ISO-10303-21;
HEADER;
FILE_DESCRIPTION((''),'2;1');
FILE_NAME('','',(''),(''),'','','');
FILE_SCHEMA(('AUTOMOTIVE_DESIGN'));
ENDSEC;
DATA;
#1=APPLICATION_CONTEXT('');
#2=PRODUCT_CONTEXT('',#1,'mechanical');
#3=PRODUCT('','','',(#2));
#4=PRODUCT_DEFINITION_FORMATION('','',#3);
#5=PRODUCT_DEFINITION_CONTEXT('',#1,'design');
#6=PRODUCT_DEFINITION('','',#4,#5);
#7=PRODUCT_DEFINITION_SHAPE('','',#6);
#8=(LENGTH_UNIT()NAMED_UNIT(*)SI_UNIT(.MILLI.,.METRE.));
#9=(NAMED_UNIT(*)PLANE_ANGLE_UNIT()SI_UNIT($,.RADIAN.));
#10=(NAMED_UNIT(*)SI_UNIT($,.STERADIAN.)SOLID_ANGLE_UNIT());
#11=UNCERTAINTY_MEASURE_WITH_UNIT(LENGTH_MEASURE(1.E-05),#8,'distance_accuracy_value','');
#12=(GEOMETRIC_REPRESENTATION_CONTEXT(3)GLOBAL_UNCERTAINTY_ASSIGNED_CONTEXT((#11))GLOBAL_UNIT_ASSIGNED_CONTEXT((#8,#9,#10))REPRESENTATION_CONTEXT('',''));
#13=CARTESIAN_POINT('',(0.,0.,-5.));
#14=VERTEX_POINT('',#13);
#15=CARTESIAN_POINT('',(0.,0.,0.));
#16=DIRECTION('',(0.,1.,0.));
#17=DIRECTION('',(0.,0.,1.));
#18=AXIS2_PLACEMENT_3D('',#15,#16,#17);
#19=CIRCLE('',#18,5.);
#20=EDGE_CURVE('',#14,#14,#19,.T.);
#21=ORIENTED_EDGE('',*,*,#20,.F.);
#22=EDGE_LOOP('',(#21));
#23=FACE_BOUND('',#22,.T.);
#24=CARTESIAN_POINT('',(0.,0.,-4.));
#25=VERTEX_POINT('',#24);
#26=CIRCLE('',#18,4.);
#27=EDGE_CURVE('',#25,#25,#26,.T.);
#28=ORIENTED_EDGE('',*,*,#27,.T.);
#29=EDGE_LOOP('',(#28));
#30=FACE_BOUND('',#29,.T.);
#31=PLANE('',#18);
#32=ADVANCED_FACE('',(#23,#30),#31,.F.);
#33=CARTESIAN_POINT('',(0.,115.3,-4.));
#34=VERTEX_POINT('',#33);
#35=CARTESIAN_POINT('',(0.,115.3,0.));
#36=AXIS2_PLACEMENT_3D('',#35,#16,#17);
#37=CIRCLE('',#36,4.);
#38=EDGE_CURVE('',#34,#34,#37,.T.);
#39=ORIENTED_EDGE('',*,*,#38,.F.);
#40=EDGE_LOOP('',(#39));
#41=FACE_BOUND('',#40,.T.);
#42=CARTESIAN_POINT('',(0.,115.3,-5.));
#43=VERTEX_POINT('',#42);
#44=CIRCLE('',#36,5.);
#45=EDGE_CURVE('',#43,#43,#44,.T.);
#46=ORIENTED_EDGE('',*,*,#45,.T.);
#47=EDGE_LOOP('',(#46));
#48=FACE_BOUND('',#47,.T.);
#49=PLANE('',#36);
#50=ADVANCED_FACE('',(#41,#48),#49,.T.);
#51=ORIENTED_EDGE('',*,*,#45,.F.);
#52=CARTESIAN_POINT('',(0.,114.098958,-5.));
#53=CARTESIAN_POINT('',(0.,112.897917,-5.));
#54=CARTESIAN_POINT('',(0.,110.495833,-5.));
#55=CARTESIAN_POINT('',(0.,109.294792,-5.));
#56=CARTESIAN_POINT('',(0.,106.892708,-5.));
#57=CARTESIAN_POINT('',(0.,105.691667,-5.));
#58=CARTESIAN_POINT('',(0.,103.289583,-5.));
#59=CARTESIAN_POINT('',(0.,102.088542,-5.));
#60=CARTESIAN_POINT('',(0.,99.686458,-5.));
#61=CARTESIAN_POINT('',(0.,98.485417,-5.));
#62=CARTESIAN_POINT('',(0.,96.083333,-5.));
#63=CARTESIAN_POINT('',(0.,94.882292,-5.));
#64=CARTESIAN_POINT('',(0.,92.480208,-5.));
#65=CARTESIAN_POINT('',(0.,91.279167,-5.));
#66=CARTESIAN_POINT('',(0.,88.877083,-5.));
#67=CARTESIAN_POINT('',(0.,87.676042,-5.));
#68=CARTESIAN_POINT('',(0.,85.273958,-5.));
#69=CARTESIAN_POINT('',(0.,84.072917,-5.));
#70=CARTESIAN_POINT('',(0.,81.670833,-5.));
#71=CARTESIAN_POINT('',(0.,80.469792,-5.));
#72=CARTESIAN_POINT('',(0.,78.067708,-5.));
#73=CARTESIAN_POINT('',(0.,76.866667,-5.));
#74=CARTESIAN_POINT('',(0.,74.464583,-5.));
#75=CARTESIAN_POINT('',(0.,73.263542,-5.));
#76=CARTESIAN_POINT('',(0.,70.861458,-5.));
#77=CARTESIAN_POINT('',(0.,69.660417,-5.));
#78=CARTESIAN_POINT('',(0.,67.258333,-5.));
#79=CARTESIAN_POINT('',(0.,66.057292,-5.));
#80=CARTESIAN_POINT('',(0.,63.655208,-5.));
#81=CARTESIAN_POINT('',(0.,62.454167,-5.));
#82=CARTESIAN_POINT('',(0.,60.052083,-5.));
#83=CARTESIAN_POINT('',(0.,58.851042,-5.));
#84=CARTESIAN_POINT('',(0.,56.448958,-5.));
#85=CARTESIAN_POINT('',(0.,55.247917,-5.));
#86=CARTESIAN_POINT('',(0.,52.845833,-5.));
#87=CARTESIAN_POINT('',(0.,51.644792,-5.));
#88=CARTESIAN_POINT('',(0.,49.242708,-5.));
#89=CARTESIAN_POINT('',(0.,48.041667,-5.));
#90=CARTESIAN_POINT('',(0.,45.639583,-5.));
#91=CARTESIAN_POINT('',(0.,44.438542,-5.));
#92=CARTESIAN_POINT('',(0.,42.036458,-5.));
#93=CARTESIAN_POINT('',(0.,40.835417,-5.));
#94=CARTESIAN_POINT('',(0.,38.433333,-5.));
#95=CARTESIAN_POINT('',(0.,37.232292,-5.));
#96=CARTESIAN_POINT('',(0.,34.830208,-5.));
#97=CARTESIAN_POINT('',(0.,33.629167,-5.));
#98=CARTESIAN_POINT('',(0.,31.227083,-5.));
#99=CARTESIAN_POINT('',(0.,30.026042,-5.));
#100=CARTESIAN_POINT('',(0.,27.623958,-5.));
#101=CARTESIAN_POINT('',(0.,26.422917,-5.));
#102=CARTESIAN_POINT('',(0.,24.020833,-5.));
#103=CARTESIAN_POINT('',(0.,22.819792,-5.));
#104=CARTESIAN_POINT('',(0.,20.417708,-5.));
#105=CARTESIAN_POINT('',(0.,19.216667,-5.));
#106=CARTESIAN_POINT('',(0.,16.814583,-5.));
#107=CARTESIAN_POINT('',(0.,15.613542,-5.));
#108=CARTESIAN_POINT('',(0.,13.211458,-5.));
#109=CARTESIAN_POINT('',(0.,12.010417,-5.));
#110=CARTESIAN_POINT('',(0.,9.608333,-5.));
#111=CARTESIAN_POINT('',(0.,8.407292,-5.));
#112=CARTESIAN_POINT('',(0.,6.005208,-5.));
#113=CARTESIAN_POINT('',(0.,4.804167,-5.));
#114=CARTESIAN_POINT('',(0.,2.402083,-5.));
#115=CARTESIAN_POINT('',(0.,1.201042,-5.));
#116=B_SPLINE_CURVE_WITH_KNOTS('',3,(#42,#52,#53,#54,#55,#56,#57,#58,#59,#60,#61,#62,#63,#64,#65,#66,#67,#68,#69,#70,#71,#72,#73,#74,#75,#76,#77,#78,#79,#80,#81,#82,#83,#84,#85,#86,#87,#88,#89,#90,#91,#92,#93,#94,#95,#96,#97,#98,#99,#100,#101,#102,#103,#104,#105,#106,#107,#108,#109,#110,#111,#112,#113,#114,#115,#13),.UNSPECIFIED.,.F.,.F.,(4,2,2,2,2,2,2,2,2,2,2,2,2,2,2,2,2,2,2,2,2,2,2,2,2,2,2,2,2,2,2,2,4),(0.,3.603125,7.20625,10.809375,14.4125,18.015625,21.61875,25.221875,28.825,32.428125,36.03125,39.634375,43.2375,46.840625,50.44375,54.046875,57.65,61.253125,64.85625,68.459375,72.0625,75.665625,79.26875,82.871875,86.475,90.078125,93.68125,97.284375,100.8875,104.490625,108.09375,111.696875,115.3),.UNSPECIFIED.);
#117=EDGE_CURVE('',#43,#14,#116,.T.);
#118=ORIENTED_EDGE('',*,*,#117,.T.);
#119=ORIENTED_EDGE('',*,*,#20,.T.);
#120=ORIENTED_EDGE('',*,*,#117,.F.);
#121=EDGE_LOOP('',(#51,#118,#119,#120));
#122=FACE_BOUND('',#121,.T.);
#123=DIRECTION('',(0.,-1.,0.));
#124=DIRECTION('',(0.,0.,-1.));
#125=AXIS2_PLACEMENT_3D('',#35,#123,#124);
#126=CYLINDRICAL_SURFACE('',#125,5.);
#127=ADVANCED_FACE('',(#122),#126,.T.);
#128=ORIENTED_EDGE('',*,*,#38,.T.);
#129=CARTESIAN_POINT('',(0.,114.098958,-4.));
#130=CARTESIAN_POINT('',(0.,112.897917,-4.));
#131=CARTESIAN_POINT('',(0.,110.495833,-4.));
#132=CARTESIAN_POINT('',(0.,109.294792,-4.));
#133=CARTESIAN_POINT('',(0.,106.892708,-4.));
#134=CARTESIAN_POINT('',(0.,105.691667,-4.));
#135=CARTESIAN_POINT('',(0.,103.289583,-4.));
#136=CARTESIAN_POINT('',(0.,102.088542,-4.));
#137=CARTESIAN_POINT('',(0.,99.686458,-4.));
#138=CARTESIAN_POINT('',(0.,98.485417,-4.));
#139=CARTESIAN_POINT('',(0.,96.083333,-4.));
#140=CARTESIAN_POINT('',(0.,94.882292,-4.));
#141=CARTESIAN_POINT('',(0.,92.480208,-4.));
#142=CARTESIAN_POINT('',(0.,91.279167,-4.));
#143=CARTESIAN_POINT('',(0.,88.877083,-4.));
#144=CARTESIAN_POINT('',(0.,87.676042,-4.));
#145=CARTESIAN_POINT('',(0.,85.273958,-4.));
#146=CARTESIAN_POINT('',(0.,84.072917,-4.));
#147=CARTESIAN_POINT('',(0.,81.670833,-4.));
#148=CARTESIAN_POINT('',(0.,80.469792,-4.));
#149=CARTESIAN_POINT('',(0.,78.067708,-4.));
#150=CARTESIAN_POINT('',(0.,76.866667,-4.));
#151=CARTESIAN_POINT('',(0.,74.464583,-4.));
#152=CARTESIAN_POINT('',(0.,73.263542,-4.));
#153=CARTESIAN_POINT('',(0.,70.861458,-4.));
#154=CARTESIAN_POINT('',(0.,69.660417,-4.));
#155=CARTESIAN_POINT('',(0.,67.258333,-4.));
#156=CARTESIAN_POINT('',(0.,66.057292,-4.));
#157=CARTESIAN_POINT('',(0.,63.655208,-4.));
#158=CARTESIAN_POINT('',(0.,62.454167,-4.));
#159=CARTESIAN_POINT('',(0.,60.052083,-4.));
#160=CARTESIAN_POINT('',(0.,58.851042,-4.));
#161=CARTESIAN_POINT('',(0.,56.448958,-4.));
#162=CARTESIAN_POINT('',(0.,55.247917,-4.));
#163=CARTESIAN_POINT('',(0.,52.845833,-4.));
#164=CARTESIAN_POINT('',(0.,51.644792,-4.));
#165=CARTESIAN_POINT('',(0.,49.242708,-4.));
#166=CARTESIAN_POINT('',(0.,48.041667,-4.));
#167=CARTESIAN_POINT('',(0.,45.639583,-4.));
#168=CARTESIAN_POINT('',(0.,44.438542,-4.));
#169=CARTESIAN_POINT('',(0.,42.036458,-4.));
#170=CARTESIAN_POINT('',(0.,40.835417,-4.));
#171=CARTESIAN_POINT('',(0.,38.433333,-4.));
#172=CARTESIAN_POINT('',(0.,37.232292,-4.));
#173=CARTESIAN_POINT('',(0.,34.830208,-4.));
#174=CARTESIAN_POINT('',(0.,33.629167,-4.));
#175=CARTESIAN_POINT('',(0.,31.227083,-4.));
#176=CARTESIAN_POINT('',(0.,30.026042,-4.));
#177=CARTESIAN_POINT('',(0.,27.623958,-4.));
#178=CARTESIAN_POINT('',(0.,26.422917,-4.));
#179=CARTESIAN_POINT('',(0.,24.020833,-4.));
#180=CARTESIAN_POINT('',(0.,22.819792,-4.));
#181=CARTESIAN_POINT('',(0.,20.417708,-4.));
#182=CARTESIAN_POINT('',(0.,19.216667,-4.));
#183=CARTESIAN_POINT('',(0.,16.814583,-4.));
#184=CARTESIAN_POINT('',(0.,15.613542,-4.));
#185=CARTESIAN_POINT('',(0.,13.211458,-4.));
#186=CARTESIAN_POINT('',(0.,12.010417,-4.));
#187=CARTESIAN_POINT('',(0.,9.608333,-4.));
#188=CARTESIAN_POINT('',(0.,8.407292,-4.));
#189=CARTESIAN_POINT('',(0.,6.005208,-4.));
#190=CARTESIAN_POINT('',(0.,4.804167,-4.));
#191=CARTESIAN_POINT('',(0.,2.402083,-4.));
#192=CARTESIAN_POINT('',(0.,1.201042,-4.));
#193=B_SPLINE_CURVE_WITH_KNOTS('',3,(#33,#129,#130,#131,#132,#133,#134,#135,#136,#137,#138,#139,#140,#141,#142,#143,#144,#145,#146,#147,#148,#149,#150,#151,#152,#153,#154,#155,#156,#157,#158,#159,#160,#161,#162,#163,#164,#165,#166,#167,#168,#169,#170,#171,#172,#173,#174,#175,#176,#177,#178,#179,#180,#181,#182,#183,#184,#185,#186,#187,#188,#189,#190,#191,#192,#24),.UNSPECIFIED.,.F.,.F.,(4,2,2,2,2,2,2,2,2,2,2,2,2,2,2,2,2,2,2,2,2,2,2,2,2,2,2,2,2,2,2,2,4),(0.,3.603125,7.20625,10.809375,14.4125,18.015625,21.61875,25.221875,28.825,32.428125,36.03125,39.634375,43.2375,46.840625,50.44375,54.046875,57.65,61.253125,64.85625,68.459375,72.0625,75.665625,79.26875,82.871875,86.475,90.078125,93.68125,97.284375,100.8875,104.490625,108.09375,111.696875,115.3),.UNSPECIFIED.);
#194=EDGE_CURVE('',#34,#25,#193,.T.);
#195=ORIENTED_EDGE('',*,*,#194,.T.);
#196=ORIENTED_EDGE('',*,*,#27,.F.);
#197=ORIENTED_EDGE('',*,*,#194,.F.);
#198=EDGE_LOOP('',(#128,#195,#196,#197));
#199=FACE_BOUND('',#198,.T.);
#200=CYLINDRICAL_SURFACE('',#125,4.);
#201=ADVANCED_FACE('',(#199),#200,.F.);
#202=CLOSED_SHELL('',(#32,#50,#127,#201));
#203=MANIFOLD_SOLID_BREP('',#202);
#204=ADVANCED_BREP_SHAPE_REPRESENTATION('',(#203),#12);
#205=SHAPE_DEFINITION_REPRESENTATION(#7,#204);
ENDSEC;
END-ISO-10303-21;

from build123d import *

# Parameters (mm, degrees)
SKETCH_1_R      = 5
SKETCH_1_R_2    = 4
EXTRUDE_1_DEPTH = 115.3


with BuildPart() as part:
    # Эскиз1 → Бобышка-Вытянуть1 (new body)
    with BuildSketch(Plane(origin=(0, 0, 0), x_dir=(1, 0, 0), z_dir=(0, 1, 0))):
        with Locations(Location((0, 0, 0), (0, 0, 90))):
            Circle(SKETCH_1_R)
        with Locations(Location((0, 0, 0), (0, 0, 90))):
            Circle(SKETCH_1_R_2, mode=Mode.SUBTRACT)
    extrude(amount=EXTRUDE_1_DEPTH)


solid = part.part
